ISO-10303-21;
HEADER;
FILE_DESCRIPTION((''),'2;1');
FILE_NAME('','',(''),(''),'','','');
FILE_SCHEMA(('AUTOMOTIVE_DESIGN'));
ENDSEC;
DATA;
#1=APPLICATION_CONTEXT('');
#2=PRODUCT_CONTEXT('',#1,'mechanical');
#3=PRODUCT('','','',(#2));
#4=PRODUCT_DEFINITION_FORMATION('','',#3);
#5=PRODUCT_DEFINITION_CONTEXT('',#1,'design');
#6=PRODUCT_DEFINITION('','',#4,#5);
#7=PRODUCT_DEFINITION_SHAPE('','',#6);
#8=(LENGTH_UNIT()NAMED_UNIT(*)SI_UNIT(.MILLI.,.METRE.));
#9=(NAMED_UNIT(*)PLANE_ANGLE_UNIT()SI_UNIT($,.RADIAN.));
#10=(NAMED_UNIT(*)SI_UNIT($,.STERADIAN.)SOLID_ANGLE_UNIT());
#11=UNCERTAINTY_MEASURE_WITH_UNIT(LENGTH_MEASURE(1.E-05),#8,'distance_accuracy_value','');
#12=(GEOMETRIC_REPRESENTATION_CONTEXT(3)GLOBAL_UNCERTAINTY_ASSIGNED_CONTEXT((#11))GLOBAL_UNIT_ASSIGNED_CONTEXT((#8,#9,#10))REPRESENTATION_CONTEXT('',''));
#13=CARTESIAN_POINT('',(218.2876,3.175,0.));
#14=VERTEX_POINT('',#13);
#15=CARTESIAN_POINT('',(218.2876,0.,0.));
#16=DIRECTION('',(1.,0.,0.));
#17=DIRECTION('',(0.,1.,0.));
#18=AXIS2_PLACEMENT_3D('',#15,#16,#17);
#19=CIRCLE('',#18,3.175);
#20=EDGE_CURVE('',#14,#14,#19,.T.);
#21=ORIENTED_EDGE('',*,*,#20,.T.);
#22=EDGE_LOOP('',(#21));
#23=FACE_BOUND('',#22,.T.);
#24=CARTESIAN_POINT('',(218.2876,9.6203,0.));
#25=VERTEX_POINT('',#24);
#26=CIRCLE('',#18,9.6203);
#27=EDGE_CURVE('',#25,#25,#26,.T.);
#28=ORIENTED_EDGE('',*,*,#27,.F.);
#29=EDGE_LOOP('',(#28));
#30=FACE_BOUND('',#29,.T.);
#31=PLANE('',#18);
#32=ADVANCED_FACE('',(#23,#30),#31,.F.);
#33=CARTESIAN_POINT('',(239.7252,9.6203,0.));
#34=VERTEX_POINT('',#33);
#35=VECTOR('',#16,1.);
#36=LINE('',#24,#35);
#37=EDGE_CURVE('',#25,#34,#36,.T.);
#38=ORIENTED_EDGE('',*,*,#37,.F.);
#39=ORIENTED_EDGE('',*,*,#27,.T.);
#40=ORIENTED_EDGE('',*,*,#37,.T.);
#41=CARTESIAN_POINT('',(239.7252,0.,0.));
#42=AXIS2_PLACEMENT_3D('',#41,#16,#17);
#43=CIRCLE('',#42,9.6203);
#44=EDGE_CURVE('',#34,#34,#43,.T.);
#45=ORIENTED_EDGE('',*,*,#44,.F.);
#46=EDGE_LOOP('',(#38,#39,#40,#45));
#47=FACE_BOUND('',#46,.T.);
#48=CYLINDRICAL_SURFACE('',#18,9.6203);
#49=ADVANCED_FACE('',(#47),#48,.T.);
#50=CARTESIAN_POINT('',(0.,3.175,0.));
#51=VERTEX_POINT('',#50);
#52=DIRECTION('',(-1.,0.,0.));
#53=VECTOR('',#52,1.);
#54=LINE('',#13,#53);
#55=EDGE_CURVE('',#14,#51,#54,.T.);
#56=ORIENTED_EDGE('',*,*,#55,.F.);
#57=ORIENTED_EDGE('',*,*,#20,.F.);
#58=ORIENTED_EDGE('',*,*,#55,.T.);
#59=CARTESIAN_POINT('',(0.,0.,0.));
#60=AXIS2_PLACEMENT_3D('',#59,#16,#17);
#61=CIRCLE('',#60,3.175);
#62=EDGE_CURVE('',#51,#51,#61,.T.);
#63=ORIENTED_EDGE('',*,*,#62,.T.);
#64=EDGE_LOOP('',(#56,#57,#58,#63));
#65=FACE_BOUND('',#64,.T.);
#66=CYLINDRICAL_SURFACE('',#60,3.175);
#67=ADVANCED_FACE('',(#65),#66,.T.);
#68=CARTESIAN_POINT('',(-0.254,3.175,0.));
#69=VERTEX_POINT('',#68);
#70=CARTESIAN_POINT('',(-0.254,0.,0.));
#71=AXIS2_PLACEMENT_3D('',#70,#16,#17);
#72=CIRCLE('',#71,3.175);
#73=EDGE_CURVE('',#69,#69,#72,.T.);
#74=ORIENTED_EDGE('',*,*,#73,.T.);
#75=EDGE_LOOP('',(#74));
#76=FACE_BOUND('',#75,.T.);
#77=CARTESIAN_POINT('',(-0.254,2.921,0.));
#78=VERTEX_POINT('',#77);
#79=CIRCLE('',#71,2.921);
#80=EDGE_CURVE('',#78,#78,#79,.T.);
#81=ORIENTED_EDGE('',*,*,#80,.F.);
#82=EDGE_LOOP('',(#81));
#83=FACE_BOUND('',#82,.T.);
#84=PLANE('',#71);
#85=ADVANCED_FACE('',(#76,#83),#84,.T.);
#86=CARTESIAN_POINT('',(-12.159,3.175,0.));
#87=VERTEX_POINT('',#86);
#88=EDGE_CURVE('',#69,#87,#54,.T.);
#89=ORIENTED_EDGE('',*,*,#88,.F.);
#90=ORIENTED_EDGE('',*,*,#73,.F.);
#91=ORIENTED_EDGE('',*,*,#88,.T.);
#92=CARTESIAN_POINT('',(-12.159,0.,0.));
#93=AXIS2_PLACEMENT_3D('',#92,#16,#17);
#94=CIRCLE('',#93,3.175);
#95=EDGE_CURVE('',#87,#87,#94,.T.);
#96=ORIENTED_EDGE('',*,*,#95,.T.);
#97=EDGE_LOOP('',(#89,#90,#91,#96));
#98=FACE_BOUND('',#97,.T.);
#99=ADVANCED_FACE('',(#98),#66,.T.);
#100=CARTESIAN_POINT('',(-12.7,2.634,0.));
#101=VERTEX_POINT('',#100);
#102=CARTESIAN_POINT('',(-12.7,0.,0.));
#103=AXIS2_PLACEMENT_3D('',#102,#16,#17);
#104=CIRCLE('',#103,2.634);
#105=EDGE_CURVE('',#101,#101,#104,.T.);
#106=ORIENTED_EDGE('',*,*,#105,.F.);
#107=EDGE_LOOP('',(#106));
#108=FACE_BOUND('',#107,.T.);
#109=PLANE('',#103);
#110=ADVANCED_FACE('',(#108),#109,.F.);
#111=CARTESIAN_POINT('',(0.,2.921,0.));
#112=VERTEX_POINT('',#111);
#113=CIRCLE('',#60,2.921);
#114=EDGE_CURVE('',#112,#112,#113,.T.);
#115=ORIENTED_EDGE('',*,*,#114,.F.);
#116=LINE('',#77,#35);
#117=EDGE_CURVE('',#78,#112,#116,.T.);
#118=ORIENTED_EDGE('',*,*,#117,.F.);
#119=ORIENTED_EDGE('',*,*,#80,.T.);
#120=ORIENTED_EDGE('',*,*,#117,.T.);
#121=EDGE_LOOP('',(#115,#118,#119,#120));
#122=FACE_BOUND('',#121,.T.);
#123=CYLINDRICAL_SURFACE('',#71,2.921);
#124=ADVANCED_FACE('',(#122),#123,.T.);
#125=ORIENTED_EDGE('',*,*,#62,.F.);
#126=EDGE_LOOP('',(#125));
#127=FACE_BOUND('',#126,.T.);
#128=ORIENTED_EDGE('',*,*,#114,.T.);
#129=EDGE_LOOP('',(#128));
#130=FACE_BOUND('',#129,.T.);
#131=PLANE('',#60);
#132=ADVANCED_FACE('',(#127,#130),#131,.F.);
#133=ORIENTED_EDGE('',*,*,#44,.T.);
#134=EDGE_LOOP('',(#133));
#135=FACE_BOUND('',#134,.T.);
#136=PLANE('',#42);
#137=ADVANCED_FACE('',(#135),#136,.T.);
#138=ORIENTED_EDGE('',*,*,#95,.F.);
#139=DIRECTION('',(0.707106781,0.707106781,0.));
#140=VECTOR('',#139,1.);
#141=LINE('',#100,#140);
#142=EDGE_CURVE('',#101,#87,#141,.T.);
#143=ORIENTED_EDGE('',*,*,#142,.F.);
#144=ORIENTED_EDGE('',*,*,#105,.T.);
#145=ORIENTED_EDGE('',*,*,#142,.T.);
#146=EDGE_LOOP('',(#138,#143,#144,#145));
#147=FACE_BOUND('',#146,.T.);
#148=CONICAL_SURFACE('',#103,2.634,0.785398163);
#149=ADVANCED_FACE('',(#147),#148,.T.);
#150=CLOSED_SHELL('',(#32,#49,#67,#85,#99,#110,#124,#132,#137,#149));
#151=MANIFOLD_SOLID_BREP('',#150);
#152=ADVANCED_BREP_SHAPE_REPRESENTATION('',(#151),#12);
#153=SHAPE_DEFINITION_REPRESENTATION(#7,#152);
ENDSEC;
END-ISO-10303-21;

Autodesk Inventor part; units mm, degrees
sketch "Sketch_1" plane through (0, 0, 0) normal (0, 0, 1) x (1, 0, 0)
  line L0 (239.7252, 0) -> (0, 0)
  line L1 (0, 0) -> (0, 3.175)
  line L2 (0, 3.175) -> (218.2876, 3.175)
  line L3 (218.2876, 3.175) -> (218.2876, 9.6203)
  line L4 (218.2876, 9.6203) -> (239.7252, 9.6203)
  line L5 (239.7252, 9.6203) -> (239.7252, 0)
  line L6 (239.7252, 0) -> (0, 0)
revolve "Revolution1" add sketch "Sketch_1" angle 360 about axis through (239.7252, 0, 0) along (1, 0, 0)
sketch "Sketch_3" plane through (0, 0, 0) normal (0, 0, 1) x (1, 0, 0)
  line L0 (0, 0) -> (-12.7, 0)
  line L1 (-12.7, 0) -> (-12.7, 2.634)
  line L2 (-12.7, 2.634) -> (-12.159, 3.175)
  line L3 (-12.159, 3.175) -> (0, 3.175)
  line L4 (0, 3.175) -> (0, 0)
  line L5 (0, 0) -> (-12.7, 0)
revolve "Revolution2" add sketch "Sketch_3" angle 360 about axis through (0, 0, 0) along (1, 0, 0)
thread "Thread1" size "1/4-28 UNF" class "3A" standard "ANSI Unified Screw Threads" length 12.7 offset 218.2876
sketch "Sketch_30" plane through (0, 0, 0) normal (0, 0, 1) x (1, 0, 0)
  line L0 (0, 0) -> (-0.254, 0)
  line L1 (-0.254, 3.429) -> (-0.254, 2.921)
  line L2 (-0.254, 2.921) -> (0, 2.921)
  line L3 (0, 2.921) -> (0, 3.429)
  line L4 (0, 3.429) -> (-0.254, 3.429)
revolve "Revolution3" cut sketch "Sketch_30" angle 360 about axis through (0, 0, 0) along (1, 0, 0)
ref_plane "rod_cp_XY" through (0, 0, 0) normal (1, 0, 0) x (0, 0, -1)
ref_plane "rod_cp_YZ" through (0, 0, 0) normal (0, 0, -1) x (0, 1, 0)
ref_plane "rod_cp_ZX" through (0, 0, 0) normal (0, 1, 0) x (1, 0, 0)
ref_plane "to_rod_clevis_XY" through (-12.7, 0, 0) normal (1, 0, 0) x (0, 0, -1)
ref_plane "to_rod_clevis_YZ" through (-12.7, 0, 0) normal (0, 0, -1) x (0, 1, 0)
ref_plane "to_rod_clevis_ZX" through (-12.7, 0, 0) normal (0, 1, 0) x (1, 0, 0)
ref_plane "rl2_XY" through (0, 0, 0) normal (1, 0, 0) x (0, 0, -1)
ref_plane "rl2_YZ" through (0, 0, 0) normal (0, 0, -1) x (0, 1, 0)
ref_plane "rl2_ZX" through (0, 0, 0) normal (0, 1, 0) x (1, 0, 0)
ref_plane "rl1_XY" through (-12.7, 0, 0) normal (1, 0, 0) x (0, 0, -1)
ref_plane "rl1_YZ" through (-12.7, 0, 0) normal (0, 0, -1) x (0, 1, 0)
ref_plane "rl1_ZX" through (-12.7, 0, 0) normal (0, 1, 0) x (1, 0, 0)
ref_plane "thd1_XY" through (-12.7, 3.175, 0) normal (1, 0, 0) x (0, 0, -1)
ref_plane "thd1_YZ" through (-12.7, 3.175, 0) normal (0, 0, -1) x (0, 1, 0)
ref_plane "thd1_ZX" through (-12.7, 3.175, 0) normal (0, 1, 0) x (1, 0, 0)
ref_plane "thd2_XY" through (-12.7, -3.175, 0) normal (1, 0, 0) x (0, 0, -1)
ref_plane "thd2_YZ" through (-12.7, -3.175, 0) normal (0, 0, -1) x (0, 1, 0)
ref_plane "thd2_ZX" through (-12.7, -3.175, 0) normal (0, 1, 0) x (1, 0, 0)
ref_plane "dia1_XY" through (0, 3.175, 0) normal (1, 0, 0) x (0, 0, -1)
ref_plane "dia1_YZ" through (0, 3.175, 0) normal (0, 0, -1) x (0, 1, 0)
ref_plane "dia1_ZX" through (0, 3.175, 0) normal (0, 1, 0) x (1, 0, 0)
ref_plane "dia2_XY" through (0, -3.175, 0) normal (1, 0, 0) x (0, 0, -1)
ref_plane "dia2_YZ" through (0, -3.175, 0) normal (0, 0, -1) x (0, 1, 0)
ref_plane "dia2_ZX" through (0, -3.175, 0) normal (0, 1, 0) x (1, 0, 0)
ref_plane "hh1_XY" through (269.8496, 0, 0) normal (0, 0, 1) x (1, 0, 0)
ref_plane "hh1_YZ" through (269.8496, 0, 0) normal (1, 0, 0) x (0, 1, 0)
ref_plane "hh1_ZX" through (269.8496, 0, 0) normal (0, 1, 0) x (0, 0, 1)
ref_plane "hh2_XY" through (276.2504, 0, 0) normal (0, 0, 1) x (1, 0, 0)
ref_plane "hh2_YZ" through (276.2504, 0, 0) normal (1, 0, 0) x (0, 1, 0)
ref_plane "hh2_ZX" through (276.2504, 0, 0) normal (0, 1, 0) x (0, 0, 1)
ref_plane "dia12_XY" through (0, 0, 10.9537) normal (1, 0, 0) x (0, 0, -1)
ref_plane "dia12_YZ" through (0, 0, 10.9537) normal (0, 0, -1) x (0, 1, 0)
ref_plane "dia12_ZX" through (0, 0, 10.9537) normal (0, 1, 0) x (1, 0, 0)
ref_plane "dia22_XY" through (0, 0, -10.9537) normal (1, 0, 0) x (0, 0, -1)
ref_plane "dia22_YZ" through (0, 0, -10.9537) normal (0, 0, -1) x (0, 1, 0)
ref_plane "dia22_ZX" through (0, 0, -10.9537) normal (0, 1, 0) x (1, 0, 0)
properties part number "047-DXP0_rod"
